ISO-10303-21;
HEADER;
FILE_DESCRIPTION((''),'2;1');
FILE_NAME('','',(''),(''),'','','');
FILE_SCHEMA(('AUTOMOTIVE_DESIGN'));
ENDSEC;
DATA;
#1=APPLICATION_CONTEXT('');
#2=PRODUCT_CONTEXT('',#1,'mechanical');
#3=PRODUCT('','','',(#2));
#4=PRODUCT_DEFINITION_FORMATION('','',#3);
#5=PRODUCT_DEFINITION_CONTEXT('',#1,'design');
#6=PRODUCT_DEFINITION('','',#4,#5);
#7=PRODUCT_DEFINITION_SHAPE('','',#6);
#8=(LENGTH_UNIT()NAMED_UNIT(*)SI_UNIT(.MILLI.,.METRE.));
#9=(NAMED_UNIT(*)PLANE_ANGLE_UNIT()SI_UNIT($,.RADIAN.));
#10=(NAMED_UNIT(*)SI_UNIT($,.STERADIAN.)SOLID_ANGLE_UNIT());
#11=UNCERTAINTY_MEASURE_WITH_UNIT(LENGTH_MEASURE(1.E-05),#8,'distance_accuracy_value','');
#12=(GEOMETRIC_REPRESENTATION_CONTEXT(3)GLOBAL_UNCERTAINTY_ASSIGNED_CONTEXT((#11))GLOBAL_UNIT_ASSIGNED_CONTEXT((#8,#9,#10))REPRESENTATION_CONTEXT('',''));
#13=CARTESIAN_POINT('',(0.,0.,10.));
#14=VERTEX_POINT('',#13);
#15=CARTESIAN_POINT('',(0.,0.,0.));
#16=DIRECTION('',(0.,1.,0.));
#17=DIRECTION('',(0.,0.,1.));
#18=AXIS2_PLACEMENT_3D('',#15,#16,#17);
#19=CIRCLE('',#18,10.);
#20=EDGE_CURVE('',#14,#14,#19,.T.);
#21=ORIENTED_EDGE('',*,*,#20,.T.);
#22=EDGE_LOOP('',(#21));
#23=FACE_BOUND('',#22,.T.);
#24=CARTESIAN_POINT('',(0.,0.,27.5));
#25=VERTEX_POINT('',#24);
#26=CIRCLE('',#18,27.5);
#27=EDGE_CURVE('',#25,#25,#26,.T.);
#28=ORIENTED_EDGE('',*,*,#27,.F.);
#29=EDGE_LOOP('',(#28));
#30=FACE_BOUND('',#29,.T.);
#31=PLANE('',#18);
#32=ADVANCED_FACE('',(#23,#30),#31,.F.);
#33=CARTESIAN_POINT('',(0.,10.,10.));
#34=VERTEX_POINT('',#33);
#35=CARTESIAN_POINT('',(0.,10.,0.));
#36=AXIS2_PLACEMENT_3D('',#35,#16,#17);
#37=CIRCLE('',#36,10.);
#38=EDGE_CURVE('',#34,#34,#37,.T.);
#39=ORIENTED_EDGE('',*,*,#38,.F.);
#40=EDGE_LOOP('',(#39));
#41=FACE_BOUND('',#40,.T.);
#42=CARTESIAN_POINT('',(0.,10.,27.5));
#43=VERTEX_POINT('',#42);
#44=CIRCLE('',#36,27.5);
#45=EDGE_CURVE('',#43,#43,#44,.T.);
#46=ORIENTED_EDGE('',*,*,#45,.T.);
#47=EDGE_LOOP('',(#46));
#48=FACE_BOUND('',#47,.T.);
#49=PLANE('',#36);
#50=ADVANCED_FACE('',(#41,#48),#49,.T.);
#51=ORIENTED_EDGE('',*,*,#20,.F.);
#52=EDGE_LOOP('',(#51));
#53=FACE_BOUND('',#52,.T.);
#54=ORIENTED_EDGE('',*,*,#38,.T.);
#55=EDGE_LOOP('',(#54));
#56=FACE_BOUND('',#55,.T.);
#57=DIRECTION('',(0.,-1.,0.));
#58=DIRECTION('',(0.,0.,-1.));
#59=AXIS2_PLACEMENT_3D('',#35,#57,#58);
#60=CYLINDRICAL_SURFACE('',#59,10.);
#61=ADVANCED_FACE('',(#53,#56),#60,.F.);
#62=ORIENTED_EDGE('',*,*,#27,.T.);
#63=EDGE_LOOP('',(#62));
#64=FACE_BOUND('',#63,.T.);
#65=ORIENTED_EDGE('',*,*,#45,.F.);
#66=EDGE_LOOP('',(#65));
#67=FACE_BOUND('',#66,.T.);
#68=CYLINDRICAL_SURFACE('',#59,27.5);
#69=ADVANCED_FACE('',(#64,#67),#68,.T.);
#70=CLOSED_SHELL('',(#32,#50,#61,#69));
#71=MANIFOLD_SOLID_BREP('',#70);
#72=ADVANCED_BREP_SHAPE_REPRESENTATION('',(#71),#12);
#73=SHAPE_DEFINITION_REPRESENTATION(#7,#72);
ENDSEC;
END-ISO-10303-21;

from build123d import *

# Parameters (mm, degrees)
SKETCH1_R           = 27.5
SKETCH1_R_2         = 10
BOSS_EXTRUDE1_DEPTH = 10


with BuildPart() as part:
    # Sketch1 → Boss-Extrude1 (new body)
    with BuildSketch(Plane(origin=(0, 0, 0), x_dir=(1, 0, 0), z_dir=(0, 1, 0))):
        Circle(SKETCH1_R)
        Circle(SKETCH1_R_2, mode=Mode.SUBTRACT)
    extrude(amount=BOSS_EXTRUDE1_DEPTH)


solid = part.part
